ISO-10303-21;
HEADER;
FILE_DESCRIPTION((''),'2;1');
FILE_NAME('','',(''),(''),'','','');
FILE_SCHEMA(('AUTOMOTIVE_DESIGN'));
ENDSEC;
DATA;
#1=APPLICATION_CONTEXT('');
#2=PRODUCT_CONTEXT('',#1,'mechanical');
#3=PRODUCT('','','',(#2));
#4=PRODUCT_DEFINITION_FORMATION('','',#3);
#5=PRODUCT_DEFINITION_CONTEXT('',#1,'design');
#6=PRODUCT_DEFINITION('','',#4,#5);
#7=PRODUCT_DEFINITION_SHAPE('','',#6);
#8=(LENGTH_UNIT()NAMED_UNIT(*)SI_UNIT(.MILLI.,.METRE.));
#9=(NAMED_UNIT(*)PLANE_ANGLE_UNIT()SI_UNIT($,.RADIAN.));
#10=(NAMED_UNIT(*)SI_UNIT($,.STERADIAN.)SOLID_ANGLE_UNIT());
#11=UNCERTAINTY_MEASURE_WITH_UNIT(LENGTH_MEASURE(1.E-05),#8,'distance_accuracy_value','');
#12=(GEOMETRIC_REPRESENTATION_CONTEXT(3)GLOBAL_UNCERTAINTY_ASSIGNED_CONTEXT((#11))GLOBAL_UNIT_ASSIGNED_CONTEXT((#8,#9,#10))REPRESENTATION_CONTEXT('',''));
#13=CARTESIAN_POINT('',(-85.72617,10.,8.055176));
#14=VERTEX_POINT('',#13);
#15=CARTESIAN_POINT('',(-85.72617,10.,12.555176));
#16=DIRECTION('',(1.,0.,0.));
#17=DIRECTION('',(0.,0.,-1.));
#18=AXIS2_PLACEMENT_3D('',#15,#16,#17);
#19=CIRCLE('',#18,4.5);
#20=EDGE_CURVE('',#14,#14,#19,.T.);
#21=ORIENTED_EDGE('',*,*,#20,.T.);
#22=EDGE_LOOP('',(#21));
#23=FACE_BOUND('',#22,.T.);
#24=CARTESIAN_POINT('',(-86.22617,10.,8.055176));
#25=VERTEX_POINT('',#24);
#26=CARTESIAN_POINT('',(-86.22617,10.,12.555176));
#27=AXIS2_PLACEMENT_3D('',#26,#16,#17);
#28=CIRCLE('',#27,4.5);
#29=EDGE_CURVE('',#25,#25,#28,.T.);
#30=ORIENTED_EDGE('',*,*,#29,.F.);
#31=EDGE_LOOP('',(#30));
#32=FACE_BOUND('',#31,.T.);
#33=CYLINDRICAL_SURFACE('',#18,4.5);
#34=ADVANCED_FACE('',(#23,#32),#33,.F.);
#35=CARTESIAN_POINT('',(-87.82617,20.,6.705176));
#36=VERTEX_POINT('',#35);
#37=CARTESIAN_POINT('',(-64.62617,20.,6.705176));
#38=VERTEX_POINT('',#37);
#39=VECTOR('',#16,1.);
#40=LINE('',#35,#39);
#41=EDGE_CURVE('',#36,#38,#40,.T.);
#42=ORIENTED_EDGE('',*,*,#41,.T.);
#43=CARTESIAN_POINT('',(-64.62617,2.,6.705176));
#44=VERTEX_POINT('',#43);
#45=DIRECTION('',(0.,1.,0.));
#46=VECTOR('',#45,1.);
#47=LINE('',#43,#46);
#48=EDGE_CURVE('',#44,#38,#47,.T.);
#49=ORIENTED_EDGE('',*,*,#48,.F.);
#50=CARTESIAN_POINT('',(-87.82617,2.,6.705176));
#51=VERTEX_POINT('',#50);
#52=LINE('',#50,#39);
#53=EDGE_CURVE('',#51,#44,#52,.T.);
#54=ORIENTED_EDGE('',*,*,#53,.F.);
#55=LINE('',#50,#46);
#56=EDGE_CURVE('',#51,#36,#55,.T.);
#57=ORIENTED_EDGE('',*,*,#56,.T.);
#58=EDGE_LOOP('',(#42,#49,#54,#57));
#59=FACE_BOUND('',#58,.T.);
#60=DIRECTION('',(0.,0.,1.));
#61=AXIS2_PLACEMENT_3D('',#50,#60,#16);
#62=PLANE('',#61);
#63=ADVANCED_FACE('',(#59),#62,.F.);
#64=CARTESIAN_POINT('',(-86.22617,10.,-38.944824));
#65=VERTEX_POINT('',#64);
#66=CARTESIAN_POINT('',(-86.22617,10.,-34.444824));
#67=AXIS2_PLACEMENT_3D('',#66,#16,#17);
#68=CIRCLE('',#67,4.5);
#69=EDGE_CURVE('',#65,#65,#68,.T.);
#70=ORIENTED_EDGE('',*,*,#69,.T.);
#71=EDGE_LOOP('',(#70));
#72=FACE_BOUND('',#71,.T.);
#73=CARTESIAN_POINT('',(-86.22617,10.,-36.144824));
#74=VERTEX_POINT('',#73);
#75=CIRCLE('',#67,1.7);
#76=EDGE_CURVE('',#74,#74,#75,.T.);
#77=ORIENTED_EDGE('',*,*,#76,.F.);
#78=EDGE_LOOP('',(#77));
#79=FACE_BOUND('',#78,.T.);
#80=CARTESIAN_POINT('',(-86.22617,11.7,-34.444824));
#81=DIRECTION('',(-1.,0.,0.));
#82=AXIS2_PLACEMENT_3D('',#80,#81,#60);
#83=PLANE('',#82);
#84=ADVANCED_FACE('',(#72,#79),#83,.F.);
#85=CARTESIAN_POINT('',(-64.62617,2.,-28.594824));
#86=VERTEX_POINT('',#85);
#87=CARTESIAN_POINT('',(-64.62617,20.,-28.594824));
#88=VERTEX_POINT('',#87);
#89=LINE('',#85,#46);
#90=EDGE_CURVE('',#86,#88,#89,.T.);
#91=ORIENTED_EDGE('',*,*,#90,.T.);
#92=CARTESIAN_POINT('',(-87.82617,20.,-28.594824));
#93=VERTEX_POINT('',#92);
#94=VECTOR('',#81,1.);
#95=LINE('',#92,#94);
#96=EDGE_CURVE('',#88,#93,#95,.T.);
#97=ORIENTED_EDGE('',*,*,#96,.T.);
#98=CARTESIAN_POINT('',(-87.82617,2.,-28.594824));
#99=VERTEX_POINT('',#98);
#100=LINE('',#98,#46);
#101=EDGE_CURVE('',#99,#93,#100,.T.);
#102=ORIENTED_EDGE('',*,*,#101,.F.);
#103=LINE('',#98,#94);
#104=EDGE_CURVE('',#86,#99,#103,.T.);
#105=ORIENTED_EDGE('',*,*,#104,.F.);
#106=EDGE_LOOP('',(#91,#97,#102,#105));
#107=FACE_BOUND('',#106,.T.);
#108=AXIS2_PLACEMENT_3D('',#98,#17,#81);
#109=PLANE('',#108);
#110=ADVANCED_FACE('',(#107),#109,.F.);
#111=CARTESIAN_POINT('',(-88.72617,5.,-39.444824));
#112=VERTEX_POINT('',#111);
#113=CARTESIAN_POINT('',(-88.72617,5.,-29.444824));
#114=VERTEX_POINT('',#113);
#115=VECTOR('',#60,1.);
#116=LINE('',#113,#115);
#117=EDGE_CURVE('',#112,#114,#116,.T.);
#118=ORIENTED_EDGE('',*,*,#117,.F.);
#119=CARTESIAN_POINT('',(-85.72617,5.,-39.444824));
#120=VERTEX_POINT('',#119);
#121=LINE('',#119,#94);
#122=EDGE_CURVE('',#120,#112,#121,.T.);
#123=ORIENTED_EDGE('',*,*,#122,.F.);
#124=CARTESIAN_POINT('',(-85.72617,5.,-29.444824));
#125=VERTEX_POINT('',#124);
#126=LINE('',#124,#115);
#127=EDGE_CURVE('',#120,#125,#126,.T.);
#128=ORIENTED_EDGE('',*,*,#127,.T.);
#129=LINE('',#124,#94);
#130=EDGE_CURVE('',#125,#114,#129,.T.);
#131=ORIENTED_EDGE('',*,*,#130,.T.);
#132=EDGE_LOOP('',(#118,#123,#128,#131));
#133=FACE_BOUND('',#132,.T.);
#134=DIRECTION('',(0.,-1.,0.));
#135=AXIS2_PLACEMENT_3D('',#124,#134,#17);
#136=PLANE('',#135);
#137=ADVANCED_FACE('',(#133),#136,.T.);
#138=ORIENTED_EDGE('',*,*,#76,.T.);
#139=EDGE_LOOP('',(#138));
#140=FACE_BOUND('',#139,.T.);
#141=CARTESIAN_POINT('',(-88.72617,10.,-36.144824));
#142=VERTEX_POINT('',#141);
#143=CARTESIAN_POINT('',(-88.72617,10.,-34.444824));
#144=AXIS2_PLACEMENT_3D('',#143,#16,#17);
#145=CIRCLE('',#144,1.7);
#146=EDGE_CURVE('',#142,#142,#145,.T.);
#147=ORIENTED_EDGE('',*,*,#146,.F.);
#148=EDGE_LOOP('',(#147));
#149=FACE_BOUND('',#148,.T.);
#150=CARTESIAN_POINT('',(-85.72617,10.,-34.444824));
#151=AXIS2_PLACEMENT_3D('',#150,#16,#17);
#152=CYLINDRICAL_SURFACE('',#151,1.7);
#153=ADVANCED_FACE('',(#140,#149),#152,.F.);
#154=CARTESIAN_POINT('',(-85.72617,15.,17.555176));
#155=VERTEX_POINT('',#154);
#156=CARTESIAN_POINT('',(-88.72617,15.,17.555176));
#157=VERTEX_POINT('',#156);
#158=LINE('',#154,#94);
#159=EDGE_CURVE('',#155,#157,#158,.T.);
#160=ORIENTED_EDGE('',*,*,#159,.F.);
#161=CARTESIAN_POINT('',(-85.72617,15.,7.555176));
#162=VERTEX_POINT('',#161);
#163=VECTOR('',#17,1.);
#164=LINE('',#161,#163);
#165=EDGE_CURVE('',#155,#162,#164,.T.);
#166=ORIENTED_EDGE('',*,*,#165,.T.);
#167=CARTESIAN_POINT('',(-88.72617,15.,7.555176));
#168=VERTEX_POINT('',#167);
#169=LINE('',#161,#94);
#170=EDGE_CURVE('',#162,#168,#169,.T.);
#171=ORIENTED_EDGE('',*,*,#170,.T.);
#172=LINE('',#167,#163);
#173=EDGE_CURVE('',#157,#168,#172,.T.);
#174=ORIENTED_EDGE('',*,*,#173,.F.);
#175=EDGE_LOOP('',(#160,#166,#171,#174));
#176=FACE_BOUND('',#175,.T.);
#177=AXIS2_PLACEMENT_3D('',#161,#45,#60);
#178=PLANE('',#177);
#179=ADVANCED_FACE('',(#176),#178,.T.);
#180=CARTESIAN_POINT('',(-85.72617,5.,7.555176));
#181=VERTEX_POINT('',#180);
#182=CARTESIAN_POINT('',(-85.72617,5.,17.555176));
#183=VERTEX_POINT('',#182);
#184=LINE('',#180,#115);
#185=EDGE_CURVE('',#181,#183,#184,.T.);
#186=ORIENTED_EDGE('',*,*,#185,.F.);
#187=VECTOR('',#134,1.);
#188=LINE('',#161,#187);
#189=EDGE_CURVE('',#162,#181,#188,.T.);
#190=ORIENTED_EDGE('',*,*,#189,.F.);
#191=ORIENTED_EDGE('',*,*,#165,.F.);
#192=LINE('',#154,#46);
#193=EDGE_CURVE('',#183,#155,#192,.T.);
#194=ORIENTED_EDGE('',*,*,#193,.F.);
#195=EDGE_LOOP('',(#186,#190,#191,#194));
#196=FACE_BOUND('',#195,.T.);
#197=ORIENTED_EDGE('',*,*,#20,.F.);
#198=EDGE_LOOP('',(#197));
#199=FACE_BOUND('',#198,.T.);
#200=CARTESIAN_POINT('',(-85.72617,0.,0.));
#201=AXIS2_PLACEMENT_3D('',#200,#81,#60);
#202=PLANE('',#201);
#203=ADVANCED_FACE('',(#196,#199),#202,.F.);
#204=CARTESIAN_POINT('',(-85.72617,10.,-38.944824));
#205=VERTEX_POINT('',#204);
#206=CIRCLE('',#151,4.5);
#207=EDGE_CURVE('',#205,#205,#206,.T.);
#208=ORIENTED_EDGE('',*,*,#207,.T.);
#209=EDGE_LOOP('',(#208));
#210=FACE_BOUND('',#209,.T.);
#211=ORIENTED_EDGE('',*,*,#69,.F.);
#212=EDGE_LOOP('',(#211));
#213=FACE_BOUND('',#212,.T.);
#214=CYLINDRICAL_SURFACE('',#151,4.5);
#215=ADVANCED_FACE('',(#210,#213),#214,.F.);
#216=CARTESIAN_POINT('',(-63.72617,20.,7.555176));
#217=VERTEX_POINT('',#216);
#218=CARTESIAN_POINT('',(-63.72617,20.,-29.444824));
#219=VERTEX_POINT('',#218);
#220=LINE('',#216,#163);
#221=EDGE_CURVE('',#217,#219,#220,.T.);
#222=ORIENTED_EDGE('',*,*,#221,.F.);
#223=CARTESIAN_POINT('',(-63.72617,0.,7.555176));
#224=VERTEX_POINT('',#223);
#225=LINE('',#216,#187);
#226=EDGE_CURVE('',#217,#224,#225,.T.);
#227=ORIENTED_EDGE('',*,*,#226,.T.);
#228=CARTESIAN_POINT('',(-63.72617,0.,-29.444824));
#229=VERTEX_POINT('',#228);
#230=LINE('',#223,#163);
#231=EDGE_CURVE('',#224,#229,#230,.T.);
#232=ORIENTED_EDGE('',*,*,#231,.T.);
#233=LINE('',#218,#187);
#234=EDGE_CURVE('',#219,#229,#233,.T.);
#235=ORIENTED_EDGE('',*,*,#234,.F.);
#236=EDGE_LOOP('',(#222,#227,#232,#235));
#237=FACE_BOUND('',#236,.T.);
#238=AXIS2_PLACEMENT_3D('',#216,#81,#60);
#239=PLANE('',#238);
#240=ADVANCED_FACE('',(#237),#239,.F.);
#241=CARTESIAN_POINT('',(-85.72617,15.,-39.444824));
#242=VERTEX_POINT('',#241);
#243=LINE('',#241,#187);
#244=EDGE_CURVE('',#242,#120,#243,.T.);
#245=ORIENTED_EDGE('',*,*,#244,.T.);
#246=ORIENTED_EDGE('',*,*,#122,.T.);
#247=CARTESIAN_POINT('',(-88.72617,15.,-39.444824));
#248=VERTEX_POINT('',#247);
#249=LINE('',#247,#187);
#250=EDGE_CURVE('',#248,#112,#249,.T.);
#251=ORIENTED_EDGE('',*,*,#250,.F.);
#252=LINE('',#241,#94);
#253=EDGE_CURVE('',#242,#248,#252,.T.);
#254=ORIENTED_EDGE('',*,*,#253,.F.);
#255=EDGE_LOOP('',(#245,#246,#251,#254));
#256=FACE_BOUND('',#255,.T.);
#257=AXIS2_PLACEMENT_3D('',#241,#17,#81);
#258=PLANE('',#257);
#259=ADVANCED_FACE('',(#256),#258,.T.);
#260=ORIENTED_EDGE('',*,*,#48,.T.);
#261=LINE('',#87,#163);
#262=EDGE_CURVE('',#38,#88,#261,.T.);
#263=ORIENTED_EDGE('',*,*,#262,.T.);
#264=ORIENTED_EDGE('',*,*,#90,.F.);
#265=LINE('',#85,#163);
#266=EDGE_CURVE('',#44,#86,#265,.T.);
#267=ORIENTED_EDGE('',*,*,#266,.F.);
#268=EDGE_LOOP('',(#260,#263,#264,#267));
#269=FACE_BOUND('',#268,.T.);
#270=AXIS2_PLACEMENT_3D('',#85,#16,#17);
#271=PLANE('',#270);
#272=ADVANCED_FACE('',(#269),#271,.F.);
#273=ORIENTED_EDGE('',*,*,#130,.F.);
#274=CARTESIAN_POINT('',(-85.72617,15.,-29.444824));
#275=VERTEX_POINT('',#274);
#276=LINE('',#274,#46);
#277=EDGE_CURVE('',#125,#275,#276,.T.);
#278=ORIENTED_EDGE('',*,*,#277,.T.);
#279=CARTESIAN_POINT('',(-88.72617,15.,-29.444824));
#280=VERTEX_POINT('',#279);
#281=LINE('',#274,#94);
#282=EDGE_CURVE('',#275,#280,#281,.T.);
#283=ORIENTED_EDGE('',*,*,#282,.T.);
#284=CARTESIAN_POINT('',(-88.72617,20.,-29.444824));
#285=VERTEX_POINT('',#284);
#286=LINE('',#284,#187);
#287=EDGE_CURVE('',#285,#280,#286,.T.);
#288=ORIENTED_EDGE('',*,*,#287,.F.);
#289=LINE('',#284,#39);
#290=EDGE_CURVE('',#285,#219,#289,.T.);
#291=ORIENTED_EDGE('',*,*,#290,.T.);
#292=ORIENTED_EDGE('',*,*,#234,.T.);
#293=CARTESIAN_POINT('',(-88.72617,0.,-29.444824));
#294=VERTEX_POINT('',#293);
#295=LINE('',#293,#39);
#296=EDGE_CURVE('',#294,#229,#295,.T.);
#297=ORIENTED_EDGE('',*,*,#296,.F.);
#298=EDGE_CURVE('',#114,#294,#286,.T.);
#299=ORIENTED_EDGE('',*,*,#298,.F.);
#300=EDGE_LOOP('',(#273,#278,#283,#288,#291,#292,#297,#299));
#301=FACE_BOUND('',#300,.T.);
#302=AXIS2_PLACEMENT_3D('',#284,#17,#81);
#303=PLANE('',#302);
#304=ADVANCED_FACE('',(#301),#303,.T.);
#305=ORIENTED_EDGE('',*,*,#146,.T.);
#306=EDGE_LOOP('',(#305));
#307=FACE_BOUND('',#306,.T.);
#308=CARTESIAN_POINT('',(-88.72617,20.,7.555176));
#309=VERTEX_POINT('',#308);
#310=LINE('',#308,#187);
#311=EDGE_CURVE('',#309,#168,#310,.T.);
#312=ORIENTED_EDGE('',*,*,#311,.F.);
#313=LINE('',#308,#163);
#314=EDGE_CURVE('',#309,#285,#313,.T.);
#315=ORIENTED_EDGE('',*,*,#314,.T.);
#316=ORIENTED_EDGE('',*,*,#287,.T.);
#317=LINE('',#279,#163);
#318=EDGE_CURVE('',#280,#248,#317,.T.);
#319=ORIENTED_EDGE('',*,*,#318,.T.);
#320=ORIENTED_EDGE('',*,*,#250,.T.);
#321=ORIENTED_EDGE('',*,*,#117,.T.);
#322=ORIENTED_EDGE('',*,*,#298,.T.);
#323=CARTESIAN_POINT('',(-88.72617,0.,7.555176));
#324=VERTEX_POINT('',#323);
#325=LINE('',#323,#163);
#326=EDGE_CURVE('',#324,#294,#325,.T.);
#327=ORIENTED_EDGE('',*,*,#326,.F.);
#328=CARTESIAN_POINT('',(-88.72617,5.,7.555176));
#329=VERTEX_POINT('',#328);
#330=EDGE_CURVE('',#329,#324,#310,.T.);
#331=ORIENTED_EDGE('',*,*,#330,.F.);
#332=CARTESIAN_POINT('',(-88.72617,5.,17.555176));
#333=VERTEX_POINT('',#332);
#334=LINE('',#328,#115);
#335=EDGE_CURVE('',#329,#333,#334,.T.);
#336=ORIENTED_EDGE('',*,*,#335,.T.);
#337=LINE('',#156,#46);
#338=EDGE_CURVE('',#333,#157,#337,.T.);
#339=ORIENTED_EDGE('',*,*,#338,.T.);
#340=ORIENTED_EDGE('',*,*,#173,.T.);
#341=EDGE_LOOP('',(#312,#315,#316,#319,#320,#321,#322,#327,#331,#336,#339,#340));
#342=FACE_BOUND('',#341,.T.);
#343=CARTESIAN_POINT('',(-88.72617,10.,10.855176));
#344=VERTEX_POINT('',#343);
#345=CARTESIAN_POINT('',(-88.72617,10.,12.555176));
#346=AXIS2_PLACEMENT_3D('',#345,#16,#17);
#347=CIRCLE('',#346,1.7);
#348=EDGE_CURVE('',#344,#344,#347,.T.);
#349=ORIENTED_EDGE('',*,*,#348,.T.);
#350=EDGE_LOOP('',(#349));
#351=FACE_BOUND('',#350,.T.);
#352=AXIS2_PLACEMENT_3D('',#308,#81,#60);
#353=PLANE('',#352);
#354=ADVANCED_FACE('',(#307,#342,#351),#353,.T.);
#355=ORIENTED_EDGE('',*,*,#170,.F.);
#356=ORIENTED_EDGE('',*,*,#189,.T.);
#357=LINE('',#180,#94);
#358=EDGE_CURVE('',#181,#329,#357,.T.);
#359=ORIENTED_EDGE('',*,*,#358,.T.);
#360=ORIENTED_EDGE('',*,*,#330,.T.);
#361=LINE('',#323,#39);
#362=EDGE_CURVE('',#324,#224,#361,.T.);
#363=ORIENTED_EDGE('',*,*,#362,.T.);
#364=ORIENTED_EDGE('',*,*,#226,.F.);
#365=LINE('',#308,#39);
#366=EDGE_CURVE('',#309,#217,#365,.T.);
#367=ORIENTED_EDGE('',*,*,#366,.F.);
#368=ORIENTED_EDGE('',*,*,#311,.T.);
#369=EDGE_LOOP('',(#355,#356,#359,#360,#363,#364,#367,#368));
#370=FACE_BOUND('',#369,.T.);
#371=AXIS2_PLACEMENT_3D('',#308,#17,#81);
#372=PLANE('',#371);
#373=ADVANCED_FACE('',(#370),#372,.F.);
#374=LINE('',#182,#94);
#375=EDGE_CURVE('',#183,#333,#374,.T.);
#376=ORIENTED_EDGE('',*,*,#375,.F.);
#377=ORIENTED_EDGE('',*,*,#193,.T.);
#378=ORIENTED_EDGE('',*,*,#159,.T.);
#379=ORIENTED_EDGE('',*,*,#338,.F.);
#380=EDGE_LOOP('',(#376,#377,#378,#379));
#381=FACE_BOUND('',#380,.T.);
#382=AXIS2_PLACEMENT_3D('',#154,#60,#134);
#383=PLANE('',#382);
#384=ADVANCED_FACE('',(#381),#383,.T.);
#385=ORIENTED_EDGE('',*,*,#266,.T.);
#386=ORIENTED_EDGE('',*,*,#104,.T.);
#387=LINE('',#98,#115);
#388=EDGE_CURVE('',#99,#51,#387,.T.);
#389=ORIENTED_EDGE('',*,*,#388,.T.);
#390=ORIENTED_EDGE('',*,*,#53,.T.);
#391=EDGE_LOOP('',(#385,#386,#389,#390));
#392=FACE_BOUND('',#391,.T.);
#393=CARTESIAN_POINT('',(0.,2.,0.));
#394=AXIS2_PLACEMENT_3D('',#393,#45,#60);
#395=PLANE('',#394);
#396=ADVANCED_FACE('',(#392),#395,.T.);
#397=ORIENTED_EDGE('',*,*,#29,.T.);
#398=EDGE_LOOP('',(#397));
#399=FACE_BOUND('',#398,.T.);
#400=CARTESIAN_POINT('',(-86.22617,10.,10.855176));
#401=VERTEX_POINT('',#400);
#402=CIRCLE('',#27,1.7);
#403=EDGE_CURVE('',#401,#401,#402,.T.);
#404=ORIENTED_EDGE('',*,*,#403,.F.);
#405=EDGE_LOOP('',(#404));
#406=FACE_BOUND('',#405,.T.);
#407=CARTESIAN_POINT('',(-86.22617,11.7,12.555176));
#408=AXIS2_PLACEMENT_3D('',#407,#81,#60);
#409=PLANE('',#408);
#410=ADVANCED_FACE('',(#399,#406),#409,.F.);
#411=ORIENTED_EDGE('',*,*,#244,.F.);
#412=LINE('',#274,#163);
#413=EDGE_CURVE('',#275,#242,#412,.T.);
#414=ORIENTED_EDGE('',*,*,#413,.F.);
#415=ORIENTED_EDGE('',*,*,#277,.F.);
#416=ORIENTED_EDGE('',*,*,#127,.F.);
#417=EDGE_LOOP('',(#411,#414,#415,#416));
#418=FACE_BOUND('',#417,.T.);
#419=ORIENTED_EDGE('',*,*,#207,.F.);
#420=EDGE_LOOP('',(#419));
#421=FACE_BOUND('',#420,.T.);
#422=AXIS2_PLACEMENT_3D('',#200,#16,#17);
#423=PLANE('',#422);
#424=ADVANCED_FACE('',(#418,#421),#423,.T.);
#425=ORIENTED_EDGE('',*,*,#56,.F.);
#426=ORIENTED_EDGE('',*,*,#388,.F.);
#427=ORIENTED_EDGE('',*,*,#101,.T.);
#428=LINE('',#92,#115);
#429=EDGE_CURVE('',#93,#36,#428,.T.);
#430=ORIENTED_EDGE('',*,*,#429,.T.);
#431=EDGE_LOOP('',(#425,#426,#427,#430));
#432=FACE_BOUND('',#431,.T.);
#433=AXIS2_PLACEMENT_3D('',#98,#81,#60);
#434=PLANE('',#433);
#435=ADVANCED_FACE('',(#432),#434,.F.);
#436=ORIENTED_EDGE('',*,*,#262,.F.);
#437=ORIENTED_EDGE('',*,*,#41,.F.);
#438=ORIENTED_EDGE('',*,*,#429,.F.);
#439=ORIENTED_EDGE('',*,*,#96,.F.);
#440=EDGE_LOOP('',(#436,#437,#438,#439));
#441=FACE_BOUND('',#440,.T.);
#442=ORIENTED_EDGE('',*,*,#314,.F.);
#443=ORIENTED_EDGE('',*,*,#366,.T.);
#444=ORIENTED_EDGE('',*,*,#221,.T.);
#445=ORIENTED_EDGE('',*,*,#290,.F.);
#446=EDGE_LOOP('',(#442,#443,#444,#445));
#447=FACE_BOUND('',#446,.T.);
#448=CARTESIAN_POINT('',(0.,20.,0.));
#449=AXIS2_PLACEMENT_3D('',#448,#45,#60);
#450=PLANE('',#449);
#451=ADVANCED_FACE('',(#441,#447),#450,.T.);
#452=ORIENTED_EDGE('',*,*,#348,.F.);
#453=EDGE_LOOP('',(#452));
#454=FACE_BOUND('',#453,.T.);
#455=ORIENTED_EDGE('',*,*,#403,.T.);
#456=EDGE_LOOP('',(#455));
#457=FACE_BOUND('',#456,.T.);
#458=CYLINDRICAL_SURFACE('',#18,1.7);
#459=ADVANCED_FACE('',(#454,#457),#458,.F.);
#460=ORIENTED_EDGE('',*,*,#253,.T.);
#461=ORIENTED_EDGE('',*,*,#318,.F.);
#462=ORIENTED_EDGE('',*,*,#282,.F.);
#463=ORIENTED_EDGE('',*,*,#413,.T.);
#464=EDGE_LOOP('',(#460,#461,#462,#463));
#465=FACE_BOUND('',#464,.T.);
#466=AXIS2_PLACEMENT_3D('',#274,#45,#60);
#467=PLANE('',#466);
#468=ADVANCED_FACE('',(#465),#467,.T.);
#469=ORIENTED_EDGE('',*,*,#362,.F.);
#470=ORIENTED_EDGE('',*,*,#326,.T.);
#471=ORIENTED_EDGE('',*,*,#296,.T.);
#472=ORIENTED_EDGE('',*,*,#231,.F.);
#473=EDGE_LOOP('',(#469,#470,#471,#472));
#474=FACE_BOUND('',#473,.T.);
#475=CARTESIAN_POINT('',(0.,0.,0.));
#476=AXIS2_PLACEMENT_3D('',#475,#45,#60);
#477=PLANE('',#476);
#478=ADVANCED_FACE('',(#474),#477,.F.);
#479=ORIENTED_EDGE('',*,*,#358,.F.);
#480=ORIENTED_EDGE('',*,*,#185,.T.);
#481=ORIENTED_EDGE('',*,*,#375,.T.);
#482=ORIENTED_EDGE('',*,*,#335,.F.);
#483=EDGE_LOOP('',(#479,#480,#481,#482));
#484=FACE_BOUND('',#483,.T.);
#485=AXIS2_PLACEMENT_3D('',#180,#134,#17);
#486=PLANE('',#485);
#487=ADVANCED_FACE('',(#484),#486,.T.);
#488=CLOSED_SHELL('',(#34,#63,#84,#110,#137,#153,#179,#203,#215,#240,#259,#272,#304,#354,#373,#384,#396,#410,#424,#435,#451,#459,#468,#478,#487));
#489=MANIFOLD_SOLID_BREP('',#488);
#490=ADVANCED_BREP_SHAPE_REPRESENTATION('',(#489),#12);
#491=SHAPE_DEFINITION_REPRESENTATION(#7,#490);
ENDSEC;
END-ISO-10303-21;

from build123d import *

# Parameters (mm, degrees)
SKETCH1_W                                            = 25
SKETCH1_H                                            = 37
BOSS_EXTRUDE2_DEPTH                                  = 20
SKETCH4_W                                            = 23.2
SKETCH4_H                                            = 35.3
CUT_EXTRUDE1_DEPTH                                   = 18
SKETCH30_W                                           = 10
SKETCH30_H                                           = 10
BOSS_EXTRUDE5_DEPTH                                  = 3
CBORE_FOR_M3_HEXAGON_HEAD_BOLTS_FULL_THR_D           = 3.4
CBORE_FOR_M3_HEXAGON_HEAD_BOLTS_FULL_THR_CBORE_D     = 9
CBORE_FOR_M3_HEXAGON_HEAD_BOLTS_FULL_THR_CBORE_DEPTH = 0.5


with BuildPart() as part:
    # Sketch1 → Boss-Extrude2 (new body)
    with BuildSketch(Plane(origin=(0, 0, 0), x_dir=(1, 0, 0), z_dir=(0, 1, 0))):
        with Locations((-76.226170177, 10.94482429)):
            Rectangle(SKETCH1_W, SKETCH1_H)
    extrude(amount=BOSS_EXTRUDE2_DEPTH)

    # Sketch4 → Cut-Extrude1 (cut)
    with BuildSketch(Plane(origin=(0, 20, 0), x_dir=(1, 0, 0), z_dir=(0, 1, 0))):
        with Locations((-76.226170177, 10.94482429)):
            Rectangle(SKETCH4_W, SKETCH4_H)
    extrude(amount=-CUT_EXTRUDE1_DEPTH, mode=Mode.SUBTRACT)

    # Sketch30 → Boss-Extrude5 (add)
    with BuildSketch(Plane.ZY.offset(88.726170177)):
        with Locations((-34.44482429, 10)):
            Rectangle(SKETCH30_W, SKETCH30_H)
        with Locations((12.55517571, 10)):
            Rectangle(SKETCH30_W, SKETCH30_H)
    extrude(amount=-BOSS_EXTRUDE5_DEPTH)

    # CBORE for M3 Hexagon head bolts-Full thread-grades AB5 (through all)
    with Locations(Plane(origin=(-85.726170177, 10, -34.44482429), x_dir=(0, 0, 1), z_dir=(1, 0, 0))):
        with Locations((0, 0), (47, 0)):
            CounterBoreHole(CBORE_FOR_M3_HEXAGON_HEAD_BOLTS_FULL_THR_D / 2, CBORE_FOR_M3_HEXAGON_HEAD_BOLTS_FULL_THR_CBORE_D / 2, CBORE_FOR_M3_HEXAGON_HEAD_BOLTS_FULL_THR_CBORE_DEPTH)


solid = part.part
